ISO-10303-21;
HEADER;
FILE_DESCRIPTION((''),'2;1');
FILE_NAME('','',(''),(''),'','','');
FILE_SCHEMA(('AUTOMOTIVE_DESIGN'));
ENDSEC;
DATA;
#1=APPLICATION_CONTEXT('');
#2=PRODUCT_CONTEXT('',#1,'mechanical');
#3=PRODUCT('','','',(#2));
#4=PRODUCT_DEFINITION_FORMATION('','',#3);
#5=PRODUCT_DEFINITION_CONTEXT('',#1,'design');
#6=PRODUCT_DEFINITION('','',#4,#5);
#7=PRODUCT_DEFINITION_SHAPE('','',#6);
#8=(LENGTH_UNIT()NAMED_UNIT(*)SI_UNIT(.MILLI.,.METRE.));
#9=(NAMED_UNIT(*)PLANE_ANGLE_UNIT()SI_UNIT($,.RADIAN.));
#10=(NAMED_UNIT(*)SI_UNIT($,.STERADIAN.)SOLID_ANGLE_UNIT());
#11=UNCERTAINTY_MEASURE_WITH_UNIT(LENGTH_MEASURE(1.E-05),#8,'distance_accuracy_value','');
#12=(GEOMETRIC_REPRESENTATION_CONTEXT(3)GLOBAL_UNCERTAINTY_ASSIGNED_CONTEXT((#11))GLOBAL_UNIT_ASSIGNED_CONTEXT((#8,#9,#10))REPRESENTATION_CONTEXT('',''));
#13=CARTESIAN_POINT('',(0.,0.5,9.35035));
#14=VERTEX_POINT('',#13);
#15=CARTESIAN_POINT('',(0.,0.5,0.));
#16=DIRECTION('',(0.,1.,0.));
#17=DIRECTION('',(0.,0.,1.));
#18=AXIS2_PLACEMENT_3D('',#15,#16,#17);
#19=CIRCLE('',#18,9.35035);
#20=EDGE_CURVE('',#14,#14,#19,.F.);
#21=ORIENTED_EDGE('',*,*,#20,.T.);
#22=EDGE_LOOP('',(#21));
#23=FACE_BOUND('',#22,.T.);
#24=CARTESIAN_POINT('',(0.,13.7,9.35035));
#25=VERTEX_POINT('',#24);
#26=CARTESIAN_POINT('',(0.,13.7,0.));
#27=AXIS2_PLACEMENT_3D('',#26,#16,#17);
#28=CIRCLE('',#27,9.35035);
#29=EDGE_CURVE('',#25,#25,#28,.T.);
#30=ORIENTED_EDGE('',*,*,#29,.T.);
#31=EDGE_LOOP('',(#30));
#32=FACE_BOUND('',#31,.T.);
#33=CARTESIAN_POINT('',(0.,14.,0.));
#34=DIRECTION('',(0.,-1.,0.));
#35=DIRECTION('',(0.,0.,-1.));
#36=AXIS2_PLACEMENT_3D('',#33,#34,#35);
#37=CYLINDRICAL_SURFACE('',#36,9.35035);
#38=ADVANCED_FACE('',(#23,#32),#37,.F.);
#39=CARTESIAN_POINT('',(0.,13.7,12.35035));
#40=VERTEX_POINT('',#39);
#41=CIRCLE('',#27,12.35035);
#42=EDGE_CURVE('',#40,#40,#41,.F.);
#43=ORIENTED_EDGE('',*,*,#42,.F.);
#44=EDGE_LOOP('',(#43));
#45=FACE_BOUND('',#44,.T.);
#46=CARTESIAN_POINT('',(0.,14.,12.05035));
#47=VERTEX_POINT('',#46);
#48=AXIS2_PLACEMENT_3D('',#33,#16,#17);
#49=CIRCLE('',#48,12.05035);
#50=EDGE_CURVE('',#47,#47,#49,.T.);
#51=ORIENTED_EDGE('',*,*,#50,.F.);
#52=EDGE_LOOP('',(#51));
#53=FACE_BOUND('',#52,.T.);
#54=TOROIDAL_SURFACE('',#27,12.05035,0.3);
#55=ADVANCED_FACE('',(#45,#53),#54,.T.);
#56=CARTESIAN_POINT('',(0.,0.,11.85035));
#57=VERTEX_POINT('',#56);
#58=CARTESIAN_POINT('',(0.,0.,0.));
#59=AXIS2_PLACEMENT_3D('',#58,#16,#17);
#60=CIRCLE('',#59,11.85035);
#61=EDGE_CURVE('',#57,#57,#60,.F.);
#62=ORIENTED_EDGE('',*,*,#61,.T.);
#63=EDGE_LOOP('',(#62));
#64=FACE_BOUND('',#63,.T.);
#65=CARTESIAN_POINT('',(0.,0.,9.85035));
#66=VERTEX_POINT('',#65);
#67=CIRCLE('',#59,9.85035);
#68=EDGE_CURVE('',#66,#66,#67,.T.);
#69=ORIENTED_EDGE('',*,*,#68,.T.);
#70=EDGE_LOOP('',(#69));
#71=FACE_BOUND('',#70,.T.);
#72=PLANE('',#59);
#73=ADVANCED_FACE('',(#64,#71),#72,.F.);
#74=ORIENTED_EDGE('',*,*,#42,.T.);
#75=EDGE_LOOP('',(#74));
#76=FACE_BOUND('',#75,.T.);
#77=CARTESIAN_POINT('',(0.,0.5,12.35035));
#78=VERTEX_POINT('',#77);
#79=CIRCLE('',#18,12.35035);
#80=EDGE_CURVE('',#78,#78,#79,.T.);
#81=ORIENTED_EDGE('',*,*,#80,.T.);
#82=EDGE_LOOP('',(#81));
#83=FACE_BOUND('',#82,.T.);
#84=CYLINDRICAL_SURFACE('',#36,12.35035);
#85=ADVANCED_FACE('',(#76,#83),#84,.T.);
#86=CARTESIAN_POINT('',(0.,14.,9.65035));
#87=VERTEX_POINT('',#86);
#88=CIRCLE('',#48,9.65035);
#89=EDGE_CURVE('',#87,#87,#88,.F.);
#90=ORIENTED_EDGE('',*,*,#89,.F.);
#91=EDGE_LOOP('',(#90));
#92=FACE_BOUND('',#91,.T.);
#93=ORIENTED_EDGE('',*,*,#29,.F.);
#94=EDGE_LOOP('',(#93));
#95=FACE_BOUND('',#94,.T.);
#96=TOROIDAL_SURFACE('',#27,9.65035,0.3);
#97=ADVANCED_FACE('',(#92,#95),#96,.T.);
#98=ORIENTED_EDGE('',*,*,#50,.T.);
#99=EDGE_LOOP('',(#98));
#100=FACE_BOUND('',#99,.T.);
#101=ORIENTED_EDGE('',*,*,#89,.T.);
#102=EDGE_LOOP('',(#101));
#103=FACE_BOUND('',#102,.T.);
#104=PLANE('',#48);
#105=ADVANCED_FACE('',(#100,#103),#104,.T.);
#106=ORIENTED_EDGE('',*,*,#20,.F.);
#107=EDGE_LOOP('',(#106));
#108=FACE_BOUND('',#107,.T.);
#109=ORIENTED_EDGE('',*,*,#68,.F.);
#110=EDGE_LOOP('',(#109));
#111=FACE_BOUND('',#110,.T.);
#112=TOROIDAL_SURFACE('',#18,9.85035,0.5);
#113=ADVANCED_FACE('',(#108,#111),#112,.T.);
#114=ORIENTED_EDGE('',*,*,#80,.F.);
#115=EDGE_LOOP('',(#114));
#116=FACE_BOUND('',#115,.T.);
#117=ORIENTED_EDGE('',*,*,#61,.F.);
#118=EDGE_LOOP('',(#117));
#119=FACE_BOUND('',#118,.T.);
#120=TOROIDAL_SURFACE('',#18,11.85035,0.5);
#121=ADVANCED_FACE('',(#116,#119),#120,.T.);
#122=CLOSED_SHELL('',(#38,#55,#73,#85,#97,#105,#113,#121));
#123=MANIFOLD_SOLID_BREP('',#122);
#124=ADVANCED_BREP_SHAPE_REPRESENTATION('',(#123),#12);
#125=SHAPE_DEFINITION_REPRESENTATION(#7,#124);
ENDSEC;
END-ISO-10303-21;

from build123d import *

# Parameters (mm, degrees)
SKETCH1_R           = 12.35035
SKETCH1_R_2         = 9.35035
BOSS_EXTRUDE1_DEPTH = 14
FILLET1_R           = 0.3
FILLET5_R           = 0.3
FILLET6_R           = 0.5
FILLET7_R           = 0.5


with BuildPart() as part:
    # Sketch1 → Boss-Extrude1 (new body)
    with BuildSketch(Plane(origin=(0, 0, 0), x_dir=(1, 0, 0), z_dir=(0, 1, 0))):
        with Locations(Location((0, 0, 0), (0, 0, 270))):
            Circle(SKETCH1_R)
        with Locations(Location((0, 0, 0), (0, 0, 270))):
            Circle(SKETCH1_R_2, mode=Mode.SUBTRACT)
    extrude(amount=BOSS_EXTRUDE1_DEPTH)

    # Fillet1
    fillet1_edges = [part.edges().sort_by_distance(p)[0] for p in [
        (0, 14, -12.35035),
    ]]
    fillet(fillet1_edges, radius=FILLET1_R)

    # Fillet5
    fillet5_edges = [part.edges().sort_by_distance(p)[0] for p in [
        (0, 14, -9.35035),
    ]]
    fillet(fillet5_edges, radius=FILLET5_R)

    # Fillet6
    fillet6_edges = [part.edges().sort_by_distance(p)[0] for p in [
        (0, 0, -12.35035),
    ]]
    fillet(fillet6_edges, radius=FILLET6_R)

    # Fillet7
    fillet7_edges = [part.edges().sort_by_distance(p)[0] for p in [
        (0, 0, -9.35035),
    ]]
    fillet(fillet7_edges, radius=FILLET7_R)


solid = part.part
